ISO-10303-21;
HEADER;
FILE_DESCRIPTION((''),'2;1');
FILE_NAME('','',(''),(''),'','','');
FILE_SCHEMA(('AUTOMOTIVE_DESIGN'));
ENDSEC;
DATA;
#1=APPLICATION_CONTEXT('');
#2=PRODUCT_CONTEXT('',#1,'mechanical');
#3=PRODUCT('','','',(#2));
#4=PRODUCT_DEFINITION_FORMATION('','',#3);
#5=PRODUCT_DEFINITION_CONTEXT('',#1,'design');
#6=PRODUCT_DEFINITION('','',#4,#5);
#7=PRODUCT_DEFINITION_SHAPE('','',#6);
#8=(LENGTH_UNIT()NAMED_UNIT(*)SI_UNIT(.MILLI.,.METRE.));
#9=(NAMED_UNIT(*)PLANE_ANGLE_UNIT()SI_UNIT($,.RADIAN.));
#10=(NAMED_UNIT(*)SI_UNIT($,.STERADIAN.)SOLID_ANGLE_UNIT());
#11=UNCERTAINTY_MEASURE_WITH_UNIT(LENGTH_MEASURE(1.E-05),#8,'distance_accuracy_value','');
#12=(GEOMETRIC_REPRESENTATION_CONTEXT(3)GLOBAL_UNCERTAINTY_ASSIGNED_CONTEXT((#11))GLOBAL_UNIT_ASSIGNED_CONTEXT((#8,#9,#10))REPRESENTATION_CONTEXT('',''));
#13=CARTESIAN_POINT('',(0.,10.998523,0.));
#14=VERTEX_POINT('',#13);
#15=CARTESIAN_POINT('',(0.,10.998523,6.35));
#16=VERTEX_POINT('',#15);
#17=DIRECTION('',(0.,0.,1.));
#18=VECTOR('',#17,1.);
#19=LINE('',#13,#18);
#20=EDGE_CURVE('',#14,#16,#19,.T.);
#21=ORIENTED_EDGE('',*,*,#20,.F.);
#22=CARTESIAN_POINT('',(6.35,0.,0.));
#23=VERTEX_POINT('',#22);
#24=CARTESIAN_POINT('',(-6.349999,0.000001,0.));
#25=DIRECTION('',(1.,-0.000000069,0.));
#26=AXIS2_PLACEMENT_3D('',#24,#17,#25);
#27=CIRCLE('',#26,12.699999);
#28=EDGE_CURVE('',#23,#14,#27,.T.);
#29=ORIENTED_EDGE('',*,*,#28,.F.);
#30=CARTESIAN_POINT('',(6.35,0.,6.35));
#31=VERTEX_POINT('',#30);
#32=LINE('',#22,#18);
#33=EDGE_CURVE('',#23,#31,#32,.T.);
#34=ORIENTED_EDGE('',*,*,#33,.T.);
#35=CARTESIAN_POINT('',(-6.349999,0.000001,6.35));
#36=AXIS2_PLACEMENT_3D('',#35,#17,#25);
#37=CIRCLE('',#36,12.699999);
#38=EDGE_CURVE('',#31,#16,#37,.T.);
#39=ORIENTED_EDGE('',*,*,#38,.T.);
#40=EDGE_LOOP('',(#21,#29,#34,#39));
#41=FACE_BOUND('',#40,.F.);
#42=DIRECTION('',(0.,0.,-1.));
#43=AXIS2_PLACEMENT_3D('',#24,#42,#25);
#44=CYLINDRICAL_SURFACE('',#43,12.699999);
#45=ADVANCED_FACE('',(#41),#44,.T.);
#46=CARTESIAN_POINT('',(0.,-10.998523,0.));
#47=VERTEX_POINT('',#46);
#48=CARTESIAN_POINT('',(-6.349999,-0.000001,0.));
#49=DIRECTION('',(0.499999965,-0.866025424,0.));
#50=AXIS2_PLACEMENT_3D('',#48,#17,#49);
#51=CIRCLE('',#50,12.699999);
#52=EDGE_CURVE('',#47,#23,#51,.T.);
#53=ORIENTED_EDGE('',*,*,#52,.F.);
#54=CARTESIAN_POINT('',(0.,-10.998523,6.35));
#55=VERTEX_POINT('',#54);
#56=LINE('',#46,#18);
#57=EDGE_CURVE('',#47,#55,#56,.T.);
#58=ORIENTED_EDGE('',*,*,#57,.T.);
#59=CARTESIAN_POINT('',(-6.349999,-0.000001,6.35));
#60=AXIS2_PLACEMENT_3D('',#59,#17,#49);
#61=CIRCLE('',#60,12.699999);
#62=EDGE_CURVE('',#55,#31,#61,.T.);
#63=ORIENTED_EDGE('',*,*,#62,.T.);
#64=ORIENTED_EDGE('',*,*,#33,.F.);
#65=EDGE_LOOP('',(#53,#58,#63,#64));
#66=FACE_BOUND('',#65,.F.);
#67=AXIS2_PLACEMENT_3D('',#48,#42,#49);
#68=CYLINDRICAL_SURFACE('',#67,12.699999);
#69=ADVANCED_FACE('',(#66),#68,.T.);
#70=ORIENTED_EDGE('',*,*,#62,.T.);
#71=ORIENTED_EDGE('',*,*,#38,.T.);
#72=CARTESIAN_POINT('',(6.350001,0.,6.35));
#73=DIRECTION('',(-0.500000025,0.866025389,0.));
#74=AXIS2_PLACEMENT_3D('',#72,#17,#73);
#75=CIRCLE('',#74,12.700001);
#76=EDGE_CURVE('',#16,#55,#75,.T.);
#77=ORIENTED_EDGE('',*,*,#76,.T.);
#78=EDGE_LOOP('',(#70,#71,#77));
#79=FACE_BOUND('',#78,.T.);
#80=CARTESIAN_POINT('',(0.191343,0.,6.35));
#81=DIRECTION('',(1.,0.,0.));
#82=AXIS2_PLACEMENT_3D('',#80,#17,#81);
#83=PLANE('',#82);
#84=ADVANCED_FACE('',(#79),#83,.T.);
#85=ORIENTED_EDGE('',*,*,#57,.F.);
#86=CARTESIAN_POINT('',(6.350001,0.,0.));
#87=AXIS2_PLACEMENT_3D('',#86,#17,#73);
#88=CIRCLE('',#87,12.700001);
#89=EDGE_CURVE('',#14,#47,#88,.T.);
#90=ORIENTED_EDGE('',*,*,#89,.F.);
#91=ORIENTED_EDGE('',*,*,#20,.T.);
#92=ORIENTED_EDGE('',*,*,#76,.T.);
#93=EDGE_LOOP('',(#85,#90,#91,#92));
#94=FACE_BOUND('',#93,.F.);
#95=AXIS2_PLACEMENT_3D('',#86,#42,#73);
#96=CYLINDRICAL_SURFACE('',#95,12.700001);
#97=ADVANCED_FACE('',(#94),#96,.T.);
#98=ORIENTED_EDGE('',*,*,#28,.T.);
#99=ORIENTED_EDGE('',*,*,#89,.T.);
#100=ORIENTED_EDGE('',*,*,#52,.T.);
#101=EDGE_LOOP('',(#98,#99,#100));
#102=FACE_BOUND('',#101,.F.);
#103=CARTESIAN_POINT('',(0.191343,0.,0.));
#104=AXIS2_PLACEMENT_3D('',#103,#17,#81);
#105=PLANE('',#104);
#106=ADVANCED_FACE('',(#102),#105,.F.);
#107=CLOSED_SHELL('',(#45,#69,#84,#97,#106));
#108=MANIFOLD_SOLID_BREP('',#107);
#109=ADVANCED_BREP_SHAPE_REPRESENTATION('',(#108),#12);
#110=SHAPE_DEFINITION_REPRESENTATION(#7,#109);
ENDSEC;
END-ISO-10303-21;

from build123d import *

# Parameters (mm, degrees)
F1_DEPTH = 6.35


with BuildPart() as f1:
    # F0 (on Top) → F1 (new body)
    with BuildSketch(Plane.XY):
        with BuildLine():
            ThreePointArc((0, -10.998523), (4.648523, -6.35), (6.35, 0))
            ThreePointArc((6.35, 0), (4.648523, 6.35), (0, 10.998523))
            ThreePointArc((0, 10.998523), (-6.35, 0), (0, -10.998523))
        make_face()
    extrude(amount=F1_DEPTH)


solid = f1.part
